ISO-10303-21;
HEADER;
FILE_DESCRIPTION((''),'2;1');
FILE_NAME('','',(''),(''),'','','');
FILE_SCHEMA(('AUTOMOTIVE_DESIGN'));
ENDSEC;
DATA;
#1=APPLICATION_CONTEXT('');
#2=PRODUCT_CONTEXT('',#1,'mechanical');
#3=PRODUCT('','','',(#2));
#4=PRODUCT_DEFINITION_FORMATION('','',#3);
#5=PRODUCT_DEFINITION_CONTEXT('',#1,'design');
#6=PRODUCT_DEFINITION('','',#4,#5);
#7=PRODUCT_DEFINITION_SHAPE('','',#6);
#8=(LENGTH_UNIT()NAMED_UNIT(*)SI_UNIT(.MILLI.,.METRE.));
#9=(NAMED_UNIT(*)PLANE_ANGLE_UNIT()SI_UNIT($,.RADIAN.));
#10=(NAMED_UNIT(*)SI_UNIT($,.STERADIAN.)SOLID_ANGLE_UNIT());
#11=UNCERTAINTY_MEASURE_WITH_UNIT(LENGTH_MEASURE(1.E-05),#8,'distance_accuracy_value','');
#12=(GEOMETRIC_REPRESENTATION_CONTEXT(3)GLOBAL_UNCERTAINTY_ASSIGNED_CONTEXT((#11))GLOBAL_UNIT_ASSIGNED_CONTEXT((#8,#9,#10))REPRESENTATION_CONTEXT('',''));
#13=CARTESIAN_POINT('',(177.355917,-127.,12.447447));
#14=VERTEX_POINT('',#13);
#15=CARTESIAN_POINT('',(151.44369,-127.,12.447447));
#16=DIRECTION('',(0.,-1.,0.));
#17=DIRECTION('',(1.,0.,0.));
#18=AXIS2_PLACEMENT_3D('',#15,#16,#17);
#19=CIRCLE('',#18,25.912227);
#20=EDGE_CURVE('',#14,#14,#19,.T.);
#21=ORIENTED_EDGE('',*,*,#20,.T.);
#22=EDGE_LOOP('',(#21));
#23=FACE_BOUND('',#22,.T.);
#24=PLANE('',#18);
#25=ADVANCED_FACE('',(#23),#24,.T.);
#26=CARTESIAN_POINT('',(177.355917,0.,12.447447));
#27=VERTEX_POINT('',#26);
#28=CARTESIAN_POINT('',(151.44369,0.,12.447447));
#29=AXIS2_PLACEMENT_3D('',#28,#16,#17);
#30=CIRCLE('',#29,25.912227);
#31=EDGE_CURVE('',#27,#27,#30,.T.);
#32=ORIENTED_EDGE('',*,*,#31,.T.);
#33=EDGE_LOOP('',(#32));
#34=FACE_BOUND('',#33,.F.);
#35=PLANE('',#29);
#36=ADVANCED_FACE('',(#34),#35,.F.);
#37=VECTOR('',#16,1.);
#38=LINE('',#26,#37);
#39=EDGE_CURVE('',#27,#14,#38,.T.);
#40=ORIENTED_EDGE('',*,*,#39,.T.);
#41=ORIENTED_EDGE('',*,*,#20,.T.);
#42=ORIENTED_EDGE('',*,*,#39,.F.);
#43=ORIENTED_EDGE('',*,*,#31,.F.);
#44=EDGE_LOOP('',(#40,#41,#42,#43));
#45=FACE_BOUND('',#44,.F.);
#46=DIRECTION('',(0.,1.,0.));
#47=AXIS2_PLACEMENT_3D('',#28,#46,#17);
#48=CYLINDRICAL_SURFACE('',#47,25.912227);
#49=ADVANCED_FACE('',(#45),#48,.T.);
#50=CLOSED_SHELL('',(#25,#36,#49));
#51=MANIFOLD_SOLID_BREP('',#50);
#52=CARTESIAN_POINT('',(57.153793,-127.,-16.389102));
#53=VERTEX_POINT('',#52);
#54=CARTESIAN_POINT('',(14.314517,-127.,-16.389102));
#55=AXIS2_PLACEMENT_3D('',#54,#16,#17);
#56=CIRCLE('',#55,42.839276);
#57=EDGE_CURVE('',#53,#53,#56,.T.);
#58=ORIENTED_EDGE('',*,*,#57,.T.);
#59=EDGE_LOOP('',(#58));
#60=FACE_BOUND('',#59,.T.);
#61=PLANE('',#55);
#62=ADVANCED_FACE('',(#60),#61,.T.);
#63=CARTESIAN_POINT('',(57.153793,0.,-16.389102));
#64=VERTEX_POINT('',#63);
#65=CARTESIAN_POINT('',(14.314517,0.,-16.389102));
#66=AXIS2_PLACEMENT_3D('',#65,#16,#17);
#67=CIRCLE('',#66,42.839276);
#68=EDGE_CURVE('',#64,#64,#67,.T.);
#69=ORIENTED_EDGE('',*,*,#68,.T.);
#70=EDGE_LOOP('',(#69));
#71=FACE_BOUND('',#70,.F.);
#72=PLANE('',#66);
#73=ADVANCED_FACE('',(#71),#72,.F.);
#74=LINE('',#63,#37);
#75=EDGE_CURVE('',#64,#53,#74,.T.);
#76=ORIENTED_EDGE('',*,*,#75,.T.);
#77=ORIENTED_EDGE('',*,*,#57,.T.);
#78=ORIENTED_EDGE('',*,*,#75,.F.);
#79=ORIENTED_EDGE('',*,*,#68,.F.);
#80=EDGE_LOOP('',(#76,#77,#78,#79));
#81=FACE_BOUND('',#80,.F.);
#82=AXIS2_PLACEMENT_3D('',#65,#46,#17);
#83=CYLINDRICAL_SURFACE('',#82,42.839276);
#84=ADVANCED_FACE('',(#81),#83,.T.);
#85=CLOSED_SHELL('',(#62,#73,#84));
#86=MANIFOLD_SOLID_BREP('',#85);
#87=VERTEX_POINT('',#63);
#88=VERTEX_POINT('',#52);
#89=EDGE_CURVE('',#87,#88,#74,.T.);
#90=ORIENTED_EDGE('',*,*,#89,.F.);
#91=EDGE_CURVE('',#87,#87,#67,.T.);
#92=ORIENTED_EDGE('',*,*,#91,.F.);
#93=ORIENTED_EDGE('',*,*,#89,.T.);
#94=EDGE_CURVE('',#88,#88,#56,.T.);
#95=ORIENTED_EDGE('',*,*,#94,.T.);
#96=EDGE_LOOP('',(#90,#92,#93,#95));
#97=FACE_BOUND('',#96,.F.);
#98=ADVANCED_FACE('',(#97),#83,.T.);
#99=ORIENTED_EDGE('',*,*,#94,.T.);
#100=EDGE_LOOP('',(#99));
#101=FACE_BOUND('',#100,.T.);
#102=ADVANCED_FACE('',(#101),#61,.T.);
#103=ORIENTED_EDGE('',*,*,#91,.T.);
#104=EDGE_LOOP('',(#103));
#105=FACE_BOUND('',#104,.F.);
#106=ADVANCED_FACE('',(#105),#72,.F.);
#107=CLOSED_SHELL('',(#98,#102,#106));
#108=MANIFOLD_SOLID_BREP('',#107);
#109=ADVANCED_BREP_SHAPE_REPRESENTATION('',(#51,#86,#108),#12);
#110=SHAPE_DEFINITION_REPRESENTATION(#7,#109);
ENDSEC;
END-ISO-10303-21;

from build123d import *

# Parameters (mm, degrees)
F1_R     = 25.9122273215
F3_DEPTH = 127
F0_R     = 42.8392758179
F2_R     = 42.8392758179


with BuildPart() as f3:
    # F1 (on Front) → F3 (new body)
    with BuildSketch(Plane.XZ):
        with Locations((151.4436900616, 12.4474465847)):
            Circle(F1_R)
    extrude(amount=F3_DEPTH)


with BuildPart() as f3b:
    # F0 (on Front) → F3, piece 2 (new body)
    with BuildSketch(Plane.XZ):
        with Locations((14.3145173788, -16.3891017437)):
            Circle(F0_R)
    extrude(amount=F3_DEPTH)


with BuildPart() as f3c:
    # F2 (on face) → F3, piece 3 (new body)
    with BuildSketch(Plane.XZ):
        with Locations((14.3145173788, -16.3891017437)):
            Circle(F2_R)
    extrude(amount=F3_DEPTH)


solid = Compound([f3.part, f3b.part, f3c.part])
